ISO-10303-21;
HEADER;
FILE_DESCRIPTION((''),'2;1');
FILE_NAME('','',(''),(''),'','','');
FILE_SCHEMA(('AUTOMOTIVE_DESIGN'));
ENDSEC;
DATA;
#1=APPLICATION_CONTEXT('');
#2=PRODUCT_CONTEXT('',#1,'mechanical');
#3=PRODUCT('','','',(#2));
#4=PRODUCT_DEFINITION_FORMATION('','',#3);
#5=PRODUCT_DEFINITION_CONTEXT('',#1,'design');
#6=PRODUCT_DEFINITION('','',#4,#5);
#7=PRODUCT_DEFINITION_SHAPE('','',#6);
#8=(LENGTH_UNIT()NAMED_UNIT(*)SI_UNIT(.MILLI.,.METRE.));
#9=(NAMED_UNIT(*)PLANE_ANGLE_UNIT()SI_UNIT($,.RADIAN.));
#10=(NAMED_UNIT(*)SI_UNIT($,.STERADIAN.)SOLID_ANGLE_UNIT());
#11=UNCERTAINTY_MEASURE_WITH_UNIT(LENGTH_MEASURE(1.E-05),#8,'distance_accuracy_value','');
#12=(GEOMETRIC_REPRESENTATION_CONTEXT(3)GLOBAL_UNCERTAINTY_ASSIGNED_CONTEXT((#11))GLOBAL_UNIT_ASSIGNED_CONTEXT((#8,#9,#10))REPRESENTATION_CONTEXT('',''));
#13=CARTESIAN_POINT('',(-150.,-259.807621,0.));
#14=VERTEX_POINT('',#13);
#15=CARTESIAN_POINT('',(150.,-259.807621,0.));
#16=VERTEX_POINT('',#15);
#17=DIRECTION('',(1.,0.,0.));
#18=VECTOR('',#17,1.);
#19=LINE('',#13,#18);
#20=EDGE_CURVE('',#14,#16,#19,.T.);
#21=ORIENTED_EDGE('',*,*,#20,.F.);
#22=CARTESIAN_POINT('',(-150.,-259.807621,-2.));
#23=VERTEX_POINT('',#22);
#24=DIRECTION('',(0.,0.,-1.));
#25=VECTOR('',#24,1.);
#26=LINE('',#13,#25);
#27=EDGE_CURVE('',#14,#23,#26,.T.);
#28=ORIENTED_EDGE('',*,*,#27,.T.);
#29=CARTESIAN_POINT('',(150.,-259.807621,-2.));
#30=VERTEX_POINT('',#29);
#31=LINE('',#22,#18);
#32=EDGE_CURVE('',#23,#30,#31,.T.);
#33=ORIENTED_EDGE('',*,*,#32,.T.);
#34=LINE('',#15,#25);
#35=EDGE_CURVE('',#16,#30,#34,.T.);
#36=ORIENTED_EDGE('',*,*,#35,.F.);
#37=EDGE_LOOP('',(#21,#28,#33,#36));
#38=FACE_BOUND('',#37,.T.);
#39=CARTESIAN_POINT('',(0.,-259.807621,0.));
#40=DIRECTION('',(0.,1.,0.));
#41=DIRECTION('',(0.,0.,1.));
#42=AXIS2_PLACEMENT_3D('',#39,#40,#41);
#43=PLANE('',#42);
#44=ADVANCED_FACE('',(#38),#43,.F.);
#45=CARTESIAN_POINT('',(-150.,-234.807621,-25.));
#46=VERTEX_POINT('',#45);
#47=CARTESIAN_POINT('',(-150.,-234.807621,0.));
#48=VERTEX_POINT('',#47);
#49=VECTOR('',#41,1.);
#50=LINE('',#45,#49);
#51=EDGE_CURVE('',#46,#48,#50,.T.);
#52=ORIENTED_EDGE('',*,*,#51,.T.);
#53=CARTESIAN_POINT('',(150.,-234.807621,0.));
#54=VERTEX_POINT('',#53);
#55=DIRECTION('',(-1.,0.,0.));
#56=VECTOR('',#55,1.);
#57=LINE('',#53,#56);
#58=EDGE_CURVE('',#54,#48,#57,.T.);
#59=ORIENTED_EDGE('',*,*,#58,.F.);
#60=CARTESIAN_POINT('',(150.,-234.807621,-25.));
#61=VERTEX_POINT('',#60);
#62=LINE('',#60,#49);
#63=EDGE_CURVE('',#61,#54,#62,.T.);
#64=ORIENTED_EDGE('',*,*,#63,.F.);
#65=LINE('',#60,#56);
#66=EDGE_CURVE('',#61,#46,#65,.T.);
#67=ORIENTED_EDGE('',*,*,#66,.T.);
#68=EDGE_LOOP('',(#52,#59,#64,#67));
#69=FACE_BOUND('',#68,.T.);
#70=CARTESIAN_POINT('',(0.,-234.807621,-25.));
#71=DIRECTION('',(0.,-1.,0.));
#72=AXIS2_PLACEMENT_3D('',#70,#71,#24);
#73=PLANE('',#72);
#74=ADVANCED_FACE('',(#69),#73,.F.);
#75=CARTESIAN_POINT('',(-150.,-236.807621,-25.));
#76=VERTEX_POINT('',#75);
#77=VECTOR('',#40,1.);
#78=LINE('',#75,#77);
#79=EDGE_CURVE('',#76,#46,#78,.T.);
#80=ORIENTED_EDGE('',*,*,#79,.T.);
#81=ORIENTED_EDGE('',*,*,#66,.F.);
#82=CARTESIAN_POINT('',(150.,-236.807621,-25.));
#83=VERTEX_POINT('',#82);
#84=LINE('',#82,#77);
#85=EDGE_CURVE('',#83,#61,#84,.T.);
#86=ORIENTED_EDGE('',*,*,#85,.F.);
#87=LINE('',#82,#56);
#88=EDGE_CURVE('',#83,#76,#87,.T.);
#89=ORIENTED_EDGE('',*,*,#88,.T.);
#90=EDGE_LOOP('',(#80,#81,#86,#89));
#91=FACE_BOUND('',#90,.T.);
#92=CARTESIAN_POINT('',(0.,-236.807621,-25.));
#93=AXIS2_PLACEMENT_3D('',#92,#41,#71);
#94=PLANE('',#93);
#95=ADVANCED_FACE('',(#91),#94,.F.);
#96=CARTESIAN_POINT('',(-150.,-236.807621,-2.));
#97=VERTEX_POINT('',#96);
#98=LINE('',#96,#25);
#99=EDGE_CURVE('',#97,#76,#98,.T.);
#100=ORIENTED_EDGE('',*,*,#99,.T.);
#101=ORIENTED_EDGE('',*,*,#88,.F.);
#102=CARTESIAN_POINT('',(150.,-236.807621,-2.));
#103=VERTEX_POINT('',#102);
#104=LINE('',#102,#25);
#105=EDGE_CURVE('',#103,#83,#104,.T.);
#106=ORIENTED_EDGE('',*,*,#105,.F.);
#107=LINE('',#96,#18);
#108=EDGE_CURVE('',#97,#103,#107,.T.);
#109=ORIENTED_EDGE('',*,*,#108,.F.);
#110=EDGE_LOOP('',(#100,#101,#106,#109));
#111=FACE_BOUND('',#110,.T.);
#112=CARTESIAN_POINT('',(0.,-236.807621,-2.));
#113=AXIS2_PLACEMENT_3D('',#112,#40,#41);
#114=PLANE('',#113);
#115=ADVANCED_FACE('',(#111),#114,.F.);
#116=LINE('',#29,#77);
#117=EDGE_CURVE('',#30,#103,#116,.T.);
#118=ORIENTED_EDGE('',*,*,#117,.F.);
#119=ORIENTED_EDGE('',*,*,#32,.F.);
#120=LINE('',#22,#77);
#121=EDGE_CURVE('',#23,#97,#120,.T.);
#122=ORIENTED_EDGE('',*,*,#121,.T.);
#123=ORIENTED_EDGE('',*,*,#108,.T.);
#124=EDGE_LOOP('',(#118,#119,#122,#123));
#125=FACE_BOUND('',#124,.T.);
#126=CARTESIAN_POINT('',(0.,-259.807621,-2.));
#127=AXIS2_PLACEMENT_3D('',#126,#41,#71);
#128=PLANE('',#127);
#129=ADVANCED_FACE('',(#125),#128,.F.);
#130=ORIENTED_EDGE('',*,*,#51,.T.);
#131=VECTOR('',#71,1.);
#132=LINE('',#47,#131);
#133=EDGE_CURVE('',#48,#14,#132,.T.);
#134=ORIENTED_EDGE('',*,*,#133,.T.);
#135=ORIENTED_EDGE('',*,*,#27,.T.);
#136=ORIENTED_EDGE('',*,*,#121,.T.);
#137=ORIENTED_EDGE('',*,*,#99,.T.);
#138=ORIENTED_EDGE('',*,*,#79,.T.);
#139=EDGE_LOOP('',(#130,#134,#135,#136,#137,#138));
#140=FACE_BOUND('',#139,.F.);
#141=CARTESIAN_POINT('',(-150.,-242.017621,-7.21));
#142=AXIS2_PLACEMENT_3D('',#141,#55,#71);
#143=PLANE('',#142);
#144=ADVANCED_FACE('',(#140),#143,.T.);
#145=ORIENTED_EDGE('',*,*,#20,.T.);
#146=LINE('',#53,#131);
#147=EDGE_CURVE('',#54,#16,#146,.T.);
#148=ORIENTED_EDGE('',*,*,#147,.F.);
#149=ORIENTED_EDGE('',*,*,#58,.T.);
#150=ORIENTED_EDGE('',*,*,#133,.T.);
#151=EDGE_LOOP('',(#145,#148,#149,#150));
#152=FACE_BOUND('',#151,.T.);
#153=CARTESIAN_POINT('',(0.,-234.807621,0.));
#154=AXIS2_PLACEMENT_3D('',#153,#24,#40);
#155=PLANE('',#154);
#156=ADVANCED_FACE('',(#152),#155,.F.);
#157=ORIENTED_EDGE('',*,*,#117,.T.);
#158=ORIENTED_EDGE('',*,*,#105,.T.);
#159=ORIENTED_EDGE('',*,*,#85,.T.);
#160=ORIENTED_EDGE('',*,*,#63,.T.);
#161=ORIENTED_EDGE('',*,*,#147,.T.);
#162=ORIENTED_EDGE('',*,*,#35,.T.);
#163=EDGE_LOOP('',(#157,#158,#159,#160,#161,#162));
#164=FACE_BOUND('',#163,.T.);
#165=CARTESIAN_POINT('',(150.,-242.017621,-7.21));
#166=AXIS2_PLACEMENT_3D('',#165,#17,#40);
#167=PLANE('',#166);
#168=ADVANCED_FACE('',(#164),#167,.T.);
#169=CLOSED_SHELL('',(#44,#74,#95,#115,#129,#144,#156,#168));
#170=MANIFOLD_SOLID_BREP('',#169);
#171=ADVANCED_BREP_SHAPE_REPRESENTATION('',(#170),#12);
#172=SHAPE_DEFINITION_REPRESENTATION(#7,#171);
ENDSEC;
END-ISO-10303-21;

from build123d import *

# Parameters (mm, degrees)
F2_DEPTH = 150


with BuildPart() as f2:
    # F1 (on Right) → F2 (new body, through all)
    with BuildSketch(Plane.YZ):
        Polygon((-234.807621, 0), (-259.807621, 0), (-259.807621, -2), (-236.807621, -2), (-236.807621, -25), (-234.807621, -25), align=None)
    extrude(amount=F2_DEPTH)

    # F3: F2 across plane


with BuildPart() as f2_1:
    add(f2.part)
    add(f2.part.mirror(Plane.YZ))


solid = f2_1.part
